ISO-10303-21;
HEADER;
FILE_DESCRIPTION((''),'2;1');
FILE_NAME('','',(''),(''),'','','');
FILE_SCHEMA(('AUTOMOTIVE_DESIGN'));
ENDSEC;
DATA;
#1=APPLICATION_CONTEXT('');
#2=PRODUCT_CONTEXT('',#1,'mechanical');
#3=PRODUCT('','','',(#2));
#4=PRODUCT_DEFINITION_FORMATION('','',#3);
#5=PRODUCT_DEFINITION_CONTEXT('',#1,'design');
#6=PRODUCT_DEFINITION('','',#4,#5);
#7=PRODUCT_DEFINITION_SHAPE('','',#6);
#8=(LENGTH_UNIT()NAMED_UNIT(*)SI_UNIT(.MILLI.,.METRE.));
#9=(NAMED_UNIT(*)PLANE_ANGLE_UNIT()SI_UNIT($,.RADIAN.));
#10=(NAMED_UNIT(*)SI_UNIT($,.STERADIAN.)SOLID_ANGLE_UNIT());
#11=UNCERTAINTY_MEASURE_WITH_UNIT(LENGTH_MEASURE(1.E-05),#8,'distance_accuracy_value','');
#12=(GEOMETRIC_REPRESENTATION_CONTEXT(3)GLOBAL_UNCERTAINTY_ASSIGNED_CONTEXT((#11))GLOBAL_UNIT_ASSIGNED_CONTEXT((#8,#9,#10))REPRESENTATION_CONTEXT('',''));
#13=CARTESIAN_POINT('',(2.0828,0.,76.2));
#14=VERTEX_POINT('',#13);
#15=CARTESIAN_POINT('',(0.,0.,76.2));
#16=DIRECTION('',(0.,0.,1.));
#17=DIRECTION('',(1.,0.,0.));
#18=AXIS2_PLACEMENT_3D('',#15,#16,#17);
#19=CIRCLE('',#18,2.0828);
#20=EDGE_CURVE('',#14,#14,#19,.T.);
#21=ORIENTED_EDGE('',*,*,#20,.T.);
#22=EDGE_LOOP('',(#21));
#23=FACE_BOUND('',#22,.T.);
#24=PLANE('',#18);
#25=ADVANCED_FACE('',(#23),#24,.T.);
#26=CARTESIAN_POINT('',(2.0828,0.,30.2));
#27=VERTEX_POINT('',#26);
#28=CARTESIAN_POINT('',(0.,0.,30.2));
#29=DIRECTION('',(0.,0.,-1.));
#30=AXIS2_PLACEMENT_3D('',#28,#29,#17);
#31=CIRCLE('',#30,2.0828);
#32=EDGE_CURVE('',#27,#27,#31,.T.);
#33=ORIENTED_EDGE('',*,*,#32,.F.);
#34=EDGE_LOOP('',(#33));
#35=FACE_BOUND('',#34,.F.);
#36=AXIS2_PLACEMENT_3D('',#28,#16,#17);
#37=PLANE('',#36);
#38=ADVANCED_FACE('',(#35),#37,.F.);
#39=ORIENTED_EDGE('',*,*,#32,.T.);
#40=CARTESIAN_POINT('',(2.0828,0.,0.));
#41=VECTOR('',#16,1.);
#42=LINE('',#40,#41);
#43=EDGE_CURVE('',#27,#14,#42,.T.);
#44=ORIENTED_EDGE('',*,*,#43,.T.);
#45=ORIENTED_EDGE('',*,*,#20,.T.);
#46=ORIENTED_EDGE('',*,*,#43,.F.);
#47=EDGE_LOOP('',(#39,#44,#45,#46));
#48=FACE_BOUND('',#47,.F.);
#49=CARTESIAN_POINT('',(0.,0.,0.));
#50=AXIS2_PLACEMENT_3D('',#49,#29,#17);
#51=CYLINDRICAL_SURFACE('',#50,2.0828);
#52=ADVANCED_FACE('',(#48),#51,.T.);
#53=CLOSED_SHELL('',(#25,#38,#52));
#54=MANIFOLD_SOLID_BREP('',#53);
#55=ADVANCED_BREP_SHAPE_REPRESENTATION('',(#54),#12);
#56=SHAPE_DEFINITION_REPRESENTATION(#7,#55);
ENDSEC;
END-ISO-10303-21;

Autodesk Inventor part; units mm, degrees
ref_plane "YZ Plane" through (0, 0, 0) normal (1, 0, 0) x (0, 1, 0)
ref_plane "XZ Plane" through (0, 0, 0) normal (0, 1, 0) x (-1, 0, 0)
ref_plane "XY Plane" through (0, 0, 0) normal (0, 0, 1) x (1, 0, 0)
sketch "Sketch1" plane through (0, 0, 0) normal (0, 0, 1) x (1, 0, 0)
  circle A0 centre (0, 0) radius 2.0828
  dimension "d0" = 4.1656
extrude "Extrusion1" add sketch "Sketch1" along normal blind 76.2
thread "Thread1" size "8-32 UNC" class "2A" standard "ANSI Unified Screw Threads" full length
sketch "Sketch2" plane through (0, 0, 76.2) normal (0, 0, 1) x (1, 0, 0)
  circle A0 centre (0, -0.3986) radius 4.6766
  point P0 (0, 0)
extrude "Extrusion2" cut sketch "Sketch2" against normal blind 46 keep common part
properties part number "Threaded Rod 46mm"
